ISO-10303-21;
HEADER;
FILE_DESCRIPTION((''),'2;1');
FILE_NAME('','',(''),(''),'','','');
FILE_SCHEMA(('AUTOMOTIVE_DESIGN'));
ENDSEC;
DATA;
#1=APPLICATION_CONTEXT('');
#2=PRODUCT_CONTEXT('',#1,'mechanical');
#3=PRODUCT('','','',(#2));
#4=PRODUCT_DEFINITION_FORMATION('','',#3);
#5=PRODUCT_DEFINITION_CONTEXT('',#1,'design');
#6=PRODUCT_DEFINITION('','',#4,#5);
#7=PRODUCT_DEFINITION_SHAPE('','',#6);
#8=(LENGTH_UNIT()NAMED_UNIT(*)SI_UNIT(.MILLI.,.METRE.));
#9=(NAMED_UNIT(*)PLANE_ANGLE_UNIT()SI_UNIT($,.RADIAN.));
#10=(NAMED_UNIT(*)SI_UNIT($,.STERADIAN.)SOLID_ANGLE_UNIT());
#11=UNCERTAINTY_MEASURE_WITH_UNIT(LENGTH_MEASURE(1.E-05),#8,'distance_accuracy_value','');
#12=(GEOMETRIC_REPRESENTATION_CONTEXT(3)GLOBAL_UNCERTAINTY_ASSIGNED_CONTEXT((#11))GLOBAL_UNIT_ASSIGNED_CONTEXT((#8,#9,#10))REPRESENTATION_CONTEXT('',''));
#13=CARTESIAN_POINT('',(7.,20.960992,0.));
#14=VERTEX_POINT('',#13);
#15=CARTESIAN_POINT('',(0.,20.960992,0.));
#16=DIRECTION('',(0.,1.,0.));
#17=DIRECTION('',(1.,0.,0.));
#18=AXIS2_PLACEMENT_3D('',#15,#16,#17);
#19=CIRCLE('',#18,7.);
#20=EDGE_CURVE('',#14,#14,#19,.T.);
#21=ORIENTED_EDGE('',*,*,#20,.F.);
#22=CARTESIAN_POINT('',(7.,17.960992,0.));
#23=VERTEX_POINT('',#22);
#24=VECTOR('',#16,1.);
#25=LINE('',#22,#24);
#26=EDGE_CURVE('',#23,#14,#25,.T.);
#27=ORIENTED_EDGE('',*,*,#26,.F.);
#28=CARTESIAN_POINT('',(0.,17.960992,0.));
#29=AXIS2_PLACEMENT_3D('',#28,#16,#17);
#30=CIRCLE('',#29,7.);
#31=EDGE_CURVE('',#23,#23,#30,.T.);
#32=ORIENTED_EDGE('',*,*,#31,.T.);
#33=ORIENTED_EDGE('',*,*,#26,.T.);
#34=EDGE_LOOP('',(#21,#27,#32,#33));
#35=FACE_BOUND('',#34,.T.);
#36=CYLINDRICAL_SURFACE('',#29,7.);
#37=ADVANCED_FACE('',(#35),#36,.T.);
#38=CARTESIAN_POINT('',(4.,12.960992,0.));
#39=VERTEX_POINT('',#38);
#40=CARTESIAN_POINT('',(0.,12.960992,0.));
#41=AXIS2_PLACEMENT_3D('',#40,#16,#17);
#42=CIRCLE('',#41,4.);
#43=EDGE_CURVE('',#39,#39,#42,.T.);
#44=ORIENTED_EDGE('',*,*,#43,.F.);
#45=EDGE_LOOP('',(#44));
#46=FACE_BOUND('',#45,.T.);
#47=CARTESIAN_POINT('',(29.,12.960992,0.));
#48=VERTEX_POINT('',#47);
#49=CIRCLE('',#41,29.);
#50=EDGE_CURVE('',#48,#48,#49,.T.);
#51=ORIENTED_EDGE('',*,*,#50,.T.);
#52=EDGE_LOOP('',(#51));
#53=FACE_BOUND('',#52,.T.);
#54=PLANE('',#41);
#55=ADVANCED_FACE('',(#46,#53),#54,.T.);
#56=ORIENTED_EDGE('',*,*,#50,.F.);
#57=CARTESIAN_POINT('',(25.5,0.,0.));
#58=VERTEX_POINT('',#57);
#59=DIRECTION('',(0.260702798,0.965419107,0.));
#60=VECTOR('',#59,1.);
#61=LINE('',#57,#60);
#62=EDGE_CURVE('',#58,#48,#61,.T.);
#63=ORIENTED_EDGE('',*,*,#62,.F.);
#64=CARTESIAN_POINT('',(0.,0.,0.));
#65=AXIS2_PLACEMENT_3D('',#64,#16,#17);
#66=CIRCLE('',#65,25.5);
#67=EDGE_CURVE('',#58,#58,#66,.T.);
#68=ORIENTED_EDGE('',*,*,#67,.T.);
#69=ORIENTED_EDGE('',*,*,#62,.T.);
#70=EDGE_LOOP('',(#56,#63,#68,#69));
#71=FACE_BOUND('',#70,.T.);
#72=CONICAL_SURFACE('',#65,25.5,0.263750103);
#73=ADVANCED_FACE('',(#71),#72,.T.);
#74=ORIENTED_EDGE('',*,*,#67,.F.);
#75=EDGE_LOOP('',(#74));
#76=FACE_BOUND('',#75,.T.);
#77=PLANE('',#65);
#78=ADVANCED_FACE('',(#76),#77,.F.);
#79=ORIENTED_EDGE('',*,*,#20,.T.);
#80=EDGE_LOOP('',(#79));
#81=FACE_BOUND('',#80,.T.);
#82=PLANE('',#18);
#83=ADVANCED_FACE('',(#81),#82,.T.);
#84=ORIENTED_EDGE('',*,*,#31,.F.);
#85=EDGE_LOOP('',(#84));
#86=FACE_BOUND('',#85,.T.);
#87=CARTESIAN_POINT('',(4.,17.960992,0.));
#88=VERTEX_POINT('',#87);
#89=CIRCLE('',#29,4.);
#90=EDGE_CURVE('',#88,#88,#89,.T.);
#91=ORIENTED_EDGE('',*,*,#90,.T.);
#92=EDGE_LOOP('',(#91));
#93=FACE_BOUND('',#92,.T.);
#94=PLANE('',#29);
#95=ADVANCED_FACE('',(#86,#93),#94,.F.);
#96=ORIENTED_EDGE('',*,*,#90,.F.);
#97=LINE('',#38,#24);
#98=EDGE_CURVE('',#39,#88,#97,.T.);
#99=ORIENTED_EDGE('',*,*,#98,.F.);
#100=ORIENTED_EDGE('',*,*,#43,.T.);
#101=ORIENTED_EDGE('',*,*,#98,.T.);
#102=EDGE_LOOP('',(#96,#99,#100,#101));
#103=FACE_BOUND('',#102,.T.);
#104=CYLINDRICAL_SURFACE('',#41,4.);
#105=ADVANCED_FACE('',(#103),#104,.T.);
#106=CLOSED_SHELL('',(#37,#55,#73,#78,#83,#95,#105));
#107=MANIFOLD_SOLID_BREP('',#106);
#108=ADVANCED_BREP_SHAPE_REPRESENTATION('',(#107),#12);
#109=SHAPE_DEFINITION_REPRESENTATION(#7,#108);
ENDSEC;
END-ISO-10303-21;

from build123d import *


with BuildPart() as part:
    # Sketch → Revolution (revolve)
    with BuildSketch(Plane.XY):
        Polygon((0, 0), (25.5, 0), (29, 12.960992), (4, 12.960992), (4, 17.960992), (7, 17.960992), (7, 20.960992), (0, 20.960992), align=None)
    revolve(axis=Axis((0, 0, 0), (0, 1, 0)))


solid = part.part
